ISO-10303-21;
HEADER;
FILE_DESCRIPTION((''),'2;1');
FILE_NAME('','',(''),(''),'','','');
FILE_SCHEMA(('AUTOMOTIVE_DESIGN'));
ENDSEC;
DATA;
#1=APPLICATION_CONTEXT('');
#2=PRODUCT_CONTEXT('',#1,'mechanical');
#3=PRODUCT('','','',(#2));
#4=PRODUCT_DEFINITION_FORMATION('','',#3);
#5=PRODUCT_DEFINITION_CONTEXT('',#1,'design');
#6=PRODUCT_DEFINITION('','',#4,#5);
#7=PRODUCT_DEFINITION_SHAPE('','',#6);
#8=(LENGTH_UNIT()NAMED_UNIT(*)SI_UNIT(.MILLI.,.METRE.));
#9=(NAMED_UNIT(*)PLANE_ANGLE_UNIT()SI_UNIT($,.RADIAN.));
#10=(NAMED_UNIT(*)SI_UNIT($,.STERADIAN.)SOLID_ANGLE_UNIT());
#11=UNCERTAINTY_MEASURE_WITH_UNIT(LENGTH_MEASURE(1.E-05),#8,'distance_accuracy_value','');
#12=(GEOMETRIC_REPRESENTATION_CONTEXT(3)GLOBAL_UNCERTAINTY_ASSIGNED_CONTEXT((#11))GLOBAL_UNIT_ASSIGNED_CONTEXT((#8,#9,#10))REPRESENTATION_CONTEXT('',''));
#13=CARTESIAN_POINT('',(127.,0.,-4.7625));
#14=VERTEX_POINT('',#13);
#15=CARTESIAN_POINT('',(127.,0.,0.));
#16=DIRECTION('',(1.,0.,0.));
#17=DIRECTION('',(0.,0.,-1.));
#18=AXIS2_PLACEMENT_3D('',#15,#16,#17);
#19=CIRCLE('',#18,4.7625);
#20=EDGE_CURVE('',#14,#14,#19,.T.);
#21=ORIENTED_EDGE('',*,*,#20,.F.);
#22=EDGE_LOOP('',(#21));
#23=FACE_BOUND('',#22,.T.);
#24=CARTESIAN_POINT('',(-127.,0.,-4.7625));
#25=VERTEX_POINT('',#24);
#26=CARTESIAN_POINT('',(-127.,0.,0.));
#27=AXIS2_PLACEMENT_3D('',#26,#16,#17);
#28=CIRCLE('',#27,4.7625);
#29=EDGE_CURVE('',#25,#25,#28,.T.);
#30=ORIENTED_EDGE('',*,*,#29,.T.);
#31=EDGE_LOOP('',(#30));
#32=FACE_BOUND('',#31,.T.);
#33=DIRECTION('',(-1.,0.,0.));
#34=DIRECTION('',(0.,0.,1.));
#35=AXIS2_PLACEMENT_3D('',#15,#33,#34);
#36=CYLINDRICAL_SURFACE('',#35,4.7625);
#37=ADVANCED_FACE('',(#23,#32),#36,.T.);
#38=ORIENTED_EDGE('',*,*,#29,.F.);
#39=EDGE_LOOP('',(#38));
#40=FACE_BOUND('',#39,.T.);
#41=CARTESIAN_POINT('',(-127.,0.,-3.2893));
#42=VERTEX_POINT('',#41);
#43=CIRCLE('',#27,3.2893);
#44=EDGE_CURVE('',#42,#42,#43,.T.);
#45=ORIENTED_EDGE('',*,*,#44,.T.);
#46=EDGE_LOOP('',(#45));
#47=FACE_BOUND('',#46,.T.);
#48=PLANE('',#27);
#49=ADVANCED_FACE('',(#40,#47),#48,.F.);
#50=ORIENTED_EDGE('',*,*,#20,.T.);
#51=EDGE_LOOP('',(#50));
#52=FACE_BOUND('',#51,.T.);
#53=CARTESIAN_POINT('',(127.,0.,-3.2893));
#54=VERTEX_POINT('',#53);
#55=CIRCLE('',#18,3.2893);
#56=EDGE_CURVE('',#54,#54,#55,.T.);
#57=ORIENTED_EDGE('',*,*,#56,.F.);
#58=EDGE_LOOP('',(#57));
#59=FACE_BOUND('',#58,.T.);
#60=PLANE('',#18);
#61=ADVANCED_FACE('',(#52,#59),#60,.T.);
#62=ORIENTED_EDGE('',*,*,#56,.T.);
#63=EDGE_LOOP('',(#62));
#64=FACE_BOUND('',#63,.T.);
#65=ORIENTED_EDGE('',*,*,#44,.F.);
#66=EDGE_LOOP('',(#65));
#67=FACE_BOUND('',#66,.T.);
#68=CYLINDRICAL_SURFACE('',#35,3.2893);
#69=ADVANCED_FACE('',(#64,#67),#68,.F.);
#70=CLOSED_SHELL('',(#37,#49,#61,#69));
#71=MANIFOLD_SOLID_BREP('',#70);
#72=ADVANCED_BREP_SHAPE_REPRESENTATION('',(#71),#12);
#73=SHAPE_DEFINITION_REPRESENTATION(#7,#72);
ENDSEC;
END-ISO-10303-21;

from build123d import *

# Parameters (mm, degrees)
SKETCH3_R           = 4.7625
SKETCH3_R_2         = 3.2893
BOSS_EXTRUDE1_DEPTH = 127


with BuildPart() as part:
    # Sketch3 → Boss-Extrude1 (new, symmetric)
    with BuildSketch(Plane(origin=(0, 0, 0), x_dir=(0, 0, -1), z_dir=(1, 0, 0))):
        Circle(SKETCH3_R)
        Circle(SKETCH3_R_2, mode=Mode.SUBTRACT)
    extrude(amount=BOSS_EXTRUDE1_DEPTH, both=True)


solid = part.part
